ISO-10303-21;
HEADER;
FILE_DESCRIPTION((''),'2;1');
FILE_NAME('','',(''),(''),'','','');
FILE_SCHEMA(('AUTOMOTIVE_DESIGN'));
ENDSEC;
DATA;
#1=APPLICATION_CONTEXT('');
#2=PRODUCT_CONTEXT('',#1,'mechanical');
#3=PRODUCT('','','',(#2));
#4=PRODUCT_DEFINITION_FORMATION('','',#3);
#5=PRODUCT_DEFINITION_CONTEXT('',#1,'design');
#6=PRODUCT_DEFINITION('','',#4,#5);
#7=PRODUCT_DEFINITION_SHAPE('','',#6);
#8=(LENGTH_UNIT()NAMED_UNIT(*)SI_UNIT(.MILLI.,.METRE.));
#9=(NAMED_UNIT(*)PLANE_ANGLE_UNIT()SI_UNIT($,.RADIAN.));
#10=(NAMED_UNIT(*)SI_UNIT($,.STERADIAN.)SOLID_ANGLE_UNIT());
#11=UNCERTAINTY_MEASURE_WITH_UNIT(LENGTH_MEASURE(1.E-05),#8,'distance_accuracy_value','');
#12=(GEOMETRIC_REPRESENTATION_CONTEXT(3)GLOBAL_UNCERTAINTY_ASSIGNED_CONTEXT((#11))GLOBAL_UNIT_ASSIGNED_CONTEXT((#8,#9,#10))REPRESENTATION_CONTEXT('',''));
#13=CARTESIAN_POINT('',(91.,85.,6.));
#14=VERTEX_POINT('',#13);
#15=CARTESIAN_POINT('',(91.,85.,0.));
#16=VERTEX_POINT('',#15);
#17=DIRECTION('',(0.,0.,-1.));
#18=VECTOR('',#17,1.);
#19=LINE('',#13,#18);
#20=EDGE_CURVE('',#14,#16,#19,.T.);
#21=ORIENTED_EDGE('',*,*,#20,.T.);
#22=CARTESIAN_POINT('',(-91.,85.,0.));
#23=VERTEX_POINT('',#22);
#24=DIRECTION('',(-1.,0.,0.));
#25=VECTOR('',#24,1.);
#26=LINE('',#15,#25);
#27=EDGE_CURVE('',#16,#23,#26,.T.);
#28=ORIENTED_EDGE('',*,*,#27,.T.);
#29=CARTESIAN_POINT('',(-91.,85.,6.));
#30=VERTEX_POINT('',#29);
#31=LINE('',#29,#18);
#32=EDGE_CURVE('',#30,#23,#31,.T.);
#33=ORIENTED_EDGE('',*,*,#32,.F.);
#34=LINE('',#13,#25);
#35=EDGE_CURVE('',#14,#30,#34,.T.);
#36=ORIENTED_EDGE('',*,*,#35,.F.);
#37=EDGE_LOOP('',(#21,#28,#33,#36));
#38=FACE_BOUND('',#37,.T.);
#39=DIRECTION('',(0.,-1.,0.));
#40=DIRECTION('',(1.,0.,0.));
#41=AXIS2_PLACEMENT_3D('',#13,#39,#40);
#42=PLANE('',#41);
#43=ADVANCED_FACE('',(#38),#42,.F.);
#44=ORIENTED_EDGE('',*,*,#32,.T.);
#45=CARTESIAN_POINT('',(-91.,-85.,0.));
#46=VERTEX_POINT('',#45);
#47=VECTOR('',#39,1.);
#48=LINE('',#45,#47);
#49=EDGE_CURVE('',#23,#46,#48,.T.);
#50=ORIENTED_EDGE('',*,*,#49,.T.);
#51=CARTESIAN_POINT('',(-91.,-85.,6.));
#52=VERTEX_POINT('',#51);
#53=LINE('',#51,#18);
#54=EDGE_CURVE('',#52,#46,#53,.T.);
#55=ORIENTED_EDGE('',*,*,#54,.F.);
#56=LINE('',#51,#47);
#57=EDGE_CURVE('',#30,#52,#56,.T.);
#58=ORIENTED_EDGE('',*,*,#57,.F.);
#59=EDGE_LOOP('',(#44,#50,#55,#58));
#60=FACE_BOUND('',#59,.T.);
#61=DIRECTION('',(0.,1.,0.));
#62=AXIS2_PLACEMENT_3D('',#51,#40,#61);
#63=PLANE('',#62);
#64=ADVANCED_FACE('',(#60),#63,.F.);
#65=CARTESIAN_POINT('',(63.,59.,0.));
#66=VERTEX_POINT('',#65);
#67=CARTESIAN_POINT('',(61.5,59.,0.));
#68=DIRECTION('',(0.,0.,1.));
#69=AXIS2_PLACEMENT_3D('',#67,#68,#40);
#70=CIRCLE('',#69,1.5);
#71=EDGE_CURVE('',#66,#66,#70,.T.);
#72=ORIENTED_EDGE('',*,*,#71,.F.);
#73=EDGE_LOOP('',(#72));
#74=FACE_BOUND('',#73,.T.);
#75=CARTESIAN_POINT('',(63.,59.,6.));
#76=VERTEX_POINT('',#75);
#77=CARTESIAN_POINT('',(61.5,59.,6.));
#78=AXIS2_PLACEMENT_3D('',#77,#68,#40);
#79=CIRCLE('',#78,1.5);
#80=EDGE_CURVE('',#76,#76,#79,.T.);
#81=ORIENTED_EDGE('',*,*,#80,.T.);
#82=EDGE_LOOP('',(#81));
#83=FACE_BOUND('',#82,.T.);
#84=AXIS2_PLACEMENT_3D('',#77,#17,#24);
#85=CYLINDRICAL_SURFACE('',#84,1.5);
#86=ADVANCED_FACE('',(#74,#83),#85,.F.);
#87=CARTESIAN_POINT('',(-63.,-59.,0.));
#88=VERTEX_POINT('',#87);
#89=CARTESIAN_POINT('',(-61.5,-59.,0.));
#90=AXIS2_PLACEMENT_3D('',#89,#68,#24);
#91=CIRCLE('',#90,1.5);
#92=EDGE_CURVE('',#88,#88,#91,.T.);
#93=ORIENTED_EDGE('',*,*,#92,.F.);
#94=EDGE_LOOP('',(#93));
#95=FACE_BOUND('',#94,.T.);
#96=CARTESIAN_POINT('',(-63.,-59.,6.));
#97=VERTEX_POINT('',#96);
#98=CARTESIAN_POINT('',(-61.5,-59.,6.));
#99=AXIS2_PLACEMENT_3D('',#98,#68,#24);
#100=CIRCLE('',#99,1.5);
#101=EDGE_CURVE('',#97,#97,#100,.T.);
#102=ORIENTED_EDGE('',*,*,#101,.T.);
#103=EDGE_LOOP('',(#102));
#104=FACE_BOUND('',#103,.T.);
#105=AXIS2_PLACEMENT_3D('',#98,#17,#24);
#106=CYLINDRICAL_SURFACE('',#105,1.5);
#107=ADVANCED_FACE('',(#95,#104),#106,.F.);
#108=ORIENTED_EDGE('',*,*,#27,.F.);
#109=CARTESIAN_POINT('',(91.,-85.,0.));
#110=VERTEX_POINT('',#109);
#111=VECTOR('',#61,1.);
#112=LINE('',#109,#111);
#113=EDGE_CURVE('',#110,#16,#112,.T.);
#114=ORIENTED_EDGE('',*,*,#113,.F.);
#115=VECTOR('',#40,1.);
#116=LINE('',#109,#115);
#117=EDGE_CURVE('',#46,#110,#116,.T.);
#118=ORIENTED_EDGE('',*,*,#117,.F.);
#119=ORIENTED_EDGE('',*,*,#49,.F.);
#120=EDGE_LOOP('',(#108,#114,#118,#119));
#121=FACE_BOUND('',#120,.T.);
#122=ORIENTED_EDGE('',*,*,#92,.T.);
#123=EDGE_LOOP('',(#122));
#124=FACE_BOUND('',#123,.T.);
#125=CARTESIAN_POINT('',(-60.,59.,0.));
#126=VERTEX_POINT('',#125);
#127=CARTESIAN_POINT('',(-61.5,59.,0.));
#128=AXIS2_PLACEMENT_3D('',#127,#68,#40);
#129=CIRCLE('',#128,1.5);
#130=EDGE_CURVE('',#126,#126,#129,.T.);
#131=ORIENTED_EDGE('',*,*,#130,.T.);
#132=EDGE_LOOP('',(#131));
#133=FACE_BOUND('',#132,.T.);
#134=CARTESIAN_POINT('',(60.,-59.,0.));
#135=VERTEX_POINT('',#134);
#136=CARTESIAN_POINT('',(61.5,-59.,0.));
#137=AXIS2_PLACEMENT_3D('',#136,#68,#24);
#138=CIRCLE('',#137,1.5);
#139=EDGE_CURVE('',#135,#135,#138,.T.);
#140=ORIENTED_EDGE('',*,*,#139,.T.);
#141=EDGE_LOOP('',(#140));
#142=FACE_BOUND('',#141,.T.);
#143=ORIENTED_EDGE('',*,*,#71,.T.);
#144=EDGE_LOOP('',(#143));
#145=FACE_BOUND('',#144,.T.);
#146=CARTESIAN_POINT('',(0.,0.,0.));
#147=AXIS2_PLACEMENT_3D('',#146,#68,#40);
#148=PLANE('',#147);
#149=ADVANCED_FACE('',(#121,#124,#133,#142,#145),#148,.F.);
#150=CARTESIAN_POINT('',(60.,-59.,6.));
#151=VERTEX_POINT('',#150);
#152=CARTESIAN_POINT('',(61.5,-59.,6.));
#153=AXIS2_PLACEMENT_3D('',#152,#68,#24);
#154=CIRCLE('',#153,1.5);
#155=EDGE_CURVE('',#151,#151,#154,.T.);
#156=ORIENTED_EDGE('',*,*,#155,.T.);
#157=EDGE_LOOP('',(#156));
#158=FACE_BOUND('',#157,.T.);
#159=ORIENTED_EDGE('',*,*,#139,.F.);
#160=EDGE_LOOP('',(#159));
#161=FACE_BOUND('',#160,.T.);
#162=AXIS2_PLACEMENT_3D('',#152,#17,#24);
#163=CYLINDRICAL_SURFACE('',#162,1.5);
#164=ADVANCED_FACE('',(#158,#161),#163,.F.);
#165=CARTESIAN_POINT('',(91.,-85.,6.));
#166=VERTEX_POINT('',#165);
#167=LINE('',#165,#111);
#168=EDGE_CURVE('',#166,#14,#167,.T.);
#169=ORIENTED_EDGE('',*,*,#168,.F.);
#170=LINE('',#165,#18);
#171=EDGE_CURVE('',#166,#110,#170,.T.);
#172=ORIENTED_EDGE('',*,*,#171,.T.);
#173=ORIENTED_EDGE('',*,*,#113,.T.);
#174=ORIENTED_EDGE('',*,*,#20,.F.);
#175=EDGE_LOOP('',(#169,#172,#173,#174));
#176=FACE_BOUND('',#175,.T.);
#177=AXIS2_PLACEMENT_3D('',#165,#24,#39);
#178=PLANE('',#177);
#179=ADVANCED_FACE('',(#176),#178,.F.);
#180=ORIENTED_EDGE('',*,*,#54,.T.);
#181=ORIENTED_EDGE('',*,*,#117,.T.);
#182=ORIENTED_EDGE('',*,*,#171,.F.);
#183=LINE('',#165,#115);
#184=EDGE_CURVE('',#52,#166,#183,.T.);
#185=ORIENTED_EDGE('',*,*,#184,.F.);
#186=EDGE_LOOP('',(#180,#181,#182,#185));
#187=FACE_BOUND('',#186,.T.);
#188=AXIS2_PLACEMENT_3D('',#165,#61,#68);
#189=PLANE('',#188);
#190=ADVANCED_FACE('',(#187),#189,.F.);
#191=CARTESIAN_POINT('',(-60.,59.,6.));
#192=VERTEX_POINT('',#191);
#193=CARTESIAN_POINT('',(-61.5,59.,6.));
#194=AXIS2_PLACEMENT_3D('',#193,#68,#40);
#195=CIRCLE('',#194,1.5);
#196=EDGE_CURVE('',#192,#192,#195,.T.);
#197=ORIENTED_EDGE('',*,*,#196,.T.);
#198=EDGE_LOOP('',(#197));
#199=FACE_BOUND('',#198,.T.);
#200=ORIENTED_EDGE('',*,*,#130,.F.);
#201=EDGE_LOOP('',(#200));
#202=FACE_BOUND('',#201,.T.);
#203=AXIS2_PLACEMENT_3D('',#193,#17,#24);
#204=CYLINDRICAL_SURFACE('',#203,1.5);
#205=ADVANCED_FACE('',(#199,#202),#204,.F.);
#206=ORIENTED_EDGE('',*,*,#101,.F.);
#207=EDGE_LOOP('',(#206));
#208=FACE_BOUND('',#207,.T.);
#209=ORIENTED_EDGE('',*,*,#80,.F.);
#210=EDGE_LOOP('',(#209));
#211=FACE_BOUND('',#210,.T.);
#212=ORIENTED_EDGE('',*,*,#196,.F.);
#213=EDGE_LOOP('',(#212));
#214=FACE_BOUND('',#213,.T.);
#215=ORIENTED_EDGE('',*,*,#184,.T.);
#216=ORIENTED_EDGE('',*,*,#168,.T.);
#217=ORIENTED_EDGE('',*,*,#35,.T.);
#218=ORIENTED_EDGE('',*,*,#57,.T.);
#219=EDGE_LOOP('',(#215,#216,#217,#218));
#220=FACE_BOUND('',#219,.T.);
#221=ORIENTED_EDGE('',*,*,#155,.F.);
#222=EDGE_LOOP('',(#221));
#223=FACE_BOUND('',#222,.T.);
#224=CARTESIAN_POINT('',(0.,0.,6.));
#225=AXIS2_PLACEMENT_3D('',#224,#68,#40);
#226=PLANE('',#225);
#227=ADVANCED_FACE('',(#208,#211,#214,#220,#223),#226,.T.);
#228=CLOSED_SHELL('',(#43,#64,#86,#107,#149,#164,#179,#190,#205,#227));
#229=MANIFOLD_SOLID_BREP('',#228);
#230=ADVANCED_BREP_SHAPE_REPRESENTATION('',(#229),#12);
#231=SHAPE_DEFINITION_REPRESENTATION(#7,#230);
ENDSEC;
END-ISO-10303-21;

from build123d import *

# Parameters (mm, degrees)
ESBO_O1_W                = 182
ESBO_O1_H                = 170
ESBO_O1_R                = 1.5
RESSALTO_EXTRUS_O1_DEPTH = 6


with BuildPart() as part:
    # Esboço1 → Ressalto-extrusão1 (new body)
    with BuildSketch(Plane.XY):
        Rectangle(ESBO_O1_W, ESBO_O1_H)
        with Locations((-61.5, 59)):
            Circle(ESBO_O1_R, mode=Mode.SUBTRACT)
        with Locations((61.5, 59)):
            Circle(ESBO_O1_R, mode=Mode.SUBTRACT)
        with Locations(Location((61.5, -59, 0), (0, 0, 180))):
            Circle(ESBO_O1_R, mode=Mode.SUBTRACT)
        with Locations(Location((-61.5, -59, 0), (0, 0, 180))):
            Circle(ESBO_O1_R, mode=Mode.SUBTRACT)
    extrude(amount=RESSALTO_EXTRUS_O1_DEPTH)


solid = part.part
